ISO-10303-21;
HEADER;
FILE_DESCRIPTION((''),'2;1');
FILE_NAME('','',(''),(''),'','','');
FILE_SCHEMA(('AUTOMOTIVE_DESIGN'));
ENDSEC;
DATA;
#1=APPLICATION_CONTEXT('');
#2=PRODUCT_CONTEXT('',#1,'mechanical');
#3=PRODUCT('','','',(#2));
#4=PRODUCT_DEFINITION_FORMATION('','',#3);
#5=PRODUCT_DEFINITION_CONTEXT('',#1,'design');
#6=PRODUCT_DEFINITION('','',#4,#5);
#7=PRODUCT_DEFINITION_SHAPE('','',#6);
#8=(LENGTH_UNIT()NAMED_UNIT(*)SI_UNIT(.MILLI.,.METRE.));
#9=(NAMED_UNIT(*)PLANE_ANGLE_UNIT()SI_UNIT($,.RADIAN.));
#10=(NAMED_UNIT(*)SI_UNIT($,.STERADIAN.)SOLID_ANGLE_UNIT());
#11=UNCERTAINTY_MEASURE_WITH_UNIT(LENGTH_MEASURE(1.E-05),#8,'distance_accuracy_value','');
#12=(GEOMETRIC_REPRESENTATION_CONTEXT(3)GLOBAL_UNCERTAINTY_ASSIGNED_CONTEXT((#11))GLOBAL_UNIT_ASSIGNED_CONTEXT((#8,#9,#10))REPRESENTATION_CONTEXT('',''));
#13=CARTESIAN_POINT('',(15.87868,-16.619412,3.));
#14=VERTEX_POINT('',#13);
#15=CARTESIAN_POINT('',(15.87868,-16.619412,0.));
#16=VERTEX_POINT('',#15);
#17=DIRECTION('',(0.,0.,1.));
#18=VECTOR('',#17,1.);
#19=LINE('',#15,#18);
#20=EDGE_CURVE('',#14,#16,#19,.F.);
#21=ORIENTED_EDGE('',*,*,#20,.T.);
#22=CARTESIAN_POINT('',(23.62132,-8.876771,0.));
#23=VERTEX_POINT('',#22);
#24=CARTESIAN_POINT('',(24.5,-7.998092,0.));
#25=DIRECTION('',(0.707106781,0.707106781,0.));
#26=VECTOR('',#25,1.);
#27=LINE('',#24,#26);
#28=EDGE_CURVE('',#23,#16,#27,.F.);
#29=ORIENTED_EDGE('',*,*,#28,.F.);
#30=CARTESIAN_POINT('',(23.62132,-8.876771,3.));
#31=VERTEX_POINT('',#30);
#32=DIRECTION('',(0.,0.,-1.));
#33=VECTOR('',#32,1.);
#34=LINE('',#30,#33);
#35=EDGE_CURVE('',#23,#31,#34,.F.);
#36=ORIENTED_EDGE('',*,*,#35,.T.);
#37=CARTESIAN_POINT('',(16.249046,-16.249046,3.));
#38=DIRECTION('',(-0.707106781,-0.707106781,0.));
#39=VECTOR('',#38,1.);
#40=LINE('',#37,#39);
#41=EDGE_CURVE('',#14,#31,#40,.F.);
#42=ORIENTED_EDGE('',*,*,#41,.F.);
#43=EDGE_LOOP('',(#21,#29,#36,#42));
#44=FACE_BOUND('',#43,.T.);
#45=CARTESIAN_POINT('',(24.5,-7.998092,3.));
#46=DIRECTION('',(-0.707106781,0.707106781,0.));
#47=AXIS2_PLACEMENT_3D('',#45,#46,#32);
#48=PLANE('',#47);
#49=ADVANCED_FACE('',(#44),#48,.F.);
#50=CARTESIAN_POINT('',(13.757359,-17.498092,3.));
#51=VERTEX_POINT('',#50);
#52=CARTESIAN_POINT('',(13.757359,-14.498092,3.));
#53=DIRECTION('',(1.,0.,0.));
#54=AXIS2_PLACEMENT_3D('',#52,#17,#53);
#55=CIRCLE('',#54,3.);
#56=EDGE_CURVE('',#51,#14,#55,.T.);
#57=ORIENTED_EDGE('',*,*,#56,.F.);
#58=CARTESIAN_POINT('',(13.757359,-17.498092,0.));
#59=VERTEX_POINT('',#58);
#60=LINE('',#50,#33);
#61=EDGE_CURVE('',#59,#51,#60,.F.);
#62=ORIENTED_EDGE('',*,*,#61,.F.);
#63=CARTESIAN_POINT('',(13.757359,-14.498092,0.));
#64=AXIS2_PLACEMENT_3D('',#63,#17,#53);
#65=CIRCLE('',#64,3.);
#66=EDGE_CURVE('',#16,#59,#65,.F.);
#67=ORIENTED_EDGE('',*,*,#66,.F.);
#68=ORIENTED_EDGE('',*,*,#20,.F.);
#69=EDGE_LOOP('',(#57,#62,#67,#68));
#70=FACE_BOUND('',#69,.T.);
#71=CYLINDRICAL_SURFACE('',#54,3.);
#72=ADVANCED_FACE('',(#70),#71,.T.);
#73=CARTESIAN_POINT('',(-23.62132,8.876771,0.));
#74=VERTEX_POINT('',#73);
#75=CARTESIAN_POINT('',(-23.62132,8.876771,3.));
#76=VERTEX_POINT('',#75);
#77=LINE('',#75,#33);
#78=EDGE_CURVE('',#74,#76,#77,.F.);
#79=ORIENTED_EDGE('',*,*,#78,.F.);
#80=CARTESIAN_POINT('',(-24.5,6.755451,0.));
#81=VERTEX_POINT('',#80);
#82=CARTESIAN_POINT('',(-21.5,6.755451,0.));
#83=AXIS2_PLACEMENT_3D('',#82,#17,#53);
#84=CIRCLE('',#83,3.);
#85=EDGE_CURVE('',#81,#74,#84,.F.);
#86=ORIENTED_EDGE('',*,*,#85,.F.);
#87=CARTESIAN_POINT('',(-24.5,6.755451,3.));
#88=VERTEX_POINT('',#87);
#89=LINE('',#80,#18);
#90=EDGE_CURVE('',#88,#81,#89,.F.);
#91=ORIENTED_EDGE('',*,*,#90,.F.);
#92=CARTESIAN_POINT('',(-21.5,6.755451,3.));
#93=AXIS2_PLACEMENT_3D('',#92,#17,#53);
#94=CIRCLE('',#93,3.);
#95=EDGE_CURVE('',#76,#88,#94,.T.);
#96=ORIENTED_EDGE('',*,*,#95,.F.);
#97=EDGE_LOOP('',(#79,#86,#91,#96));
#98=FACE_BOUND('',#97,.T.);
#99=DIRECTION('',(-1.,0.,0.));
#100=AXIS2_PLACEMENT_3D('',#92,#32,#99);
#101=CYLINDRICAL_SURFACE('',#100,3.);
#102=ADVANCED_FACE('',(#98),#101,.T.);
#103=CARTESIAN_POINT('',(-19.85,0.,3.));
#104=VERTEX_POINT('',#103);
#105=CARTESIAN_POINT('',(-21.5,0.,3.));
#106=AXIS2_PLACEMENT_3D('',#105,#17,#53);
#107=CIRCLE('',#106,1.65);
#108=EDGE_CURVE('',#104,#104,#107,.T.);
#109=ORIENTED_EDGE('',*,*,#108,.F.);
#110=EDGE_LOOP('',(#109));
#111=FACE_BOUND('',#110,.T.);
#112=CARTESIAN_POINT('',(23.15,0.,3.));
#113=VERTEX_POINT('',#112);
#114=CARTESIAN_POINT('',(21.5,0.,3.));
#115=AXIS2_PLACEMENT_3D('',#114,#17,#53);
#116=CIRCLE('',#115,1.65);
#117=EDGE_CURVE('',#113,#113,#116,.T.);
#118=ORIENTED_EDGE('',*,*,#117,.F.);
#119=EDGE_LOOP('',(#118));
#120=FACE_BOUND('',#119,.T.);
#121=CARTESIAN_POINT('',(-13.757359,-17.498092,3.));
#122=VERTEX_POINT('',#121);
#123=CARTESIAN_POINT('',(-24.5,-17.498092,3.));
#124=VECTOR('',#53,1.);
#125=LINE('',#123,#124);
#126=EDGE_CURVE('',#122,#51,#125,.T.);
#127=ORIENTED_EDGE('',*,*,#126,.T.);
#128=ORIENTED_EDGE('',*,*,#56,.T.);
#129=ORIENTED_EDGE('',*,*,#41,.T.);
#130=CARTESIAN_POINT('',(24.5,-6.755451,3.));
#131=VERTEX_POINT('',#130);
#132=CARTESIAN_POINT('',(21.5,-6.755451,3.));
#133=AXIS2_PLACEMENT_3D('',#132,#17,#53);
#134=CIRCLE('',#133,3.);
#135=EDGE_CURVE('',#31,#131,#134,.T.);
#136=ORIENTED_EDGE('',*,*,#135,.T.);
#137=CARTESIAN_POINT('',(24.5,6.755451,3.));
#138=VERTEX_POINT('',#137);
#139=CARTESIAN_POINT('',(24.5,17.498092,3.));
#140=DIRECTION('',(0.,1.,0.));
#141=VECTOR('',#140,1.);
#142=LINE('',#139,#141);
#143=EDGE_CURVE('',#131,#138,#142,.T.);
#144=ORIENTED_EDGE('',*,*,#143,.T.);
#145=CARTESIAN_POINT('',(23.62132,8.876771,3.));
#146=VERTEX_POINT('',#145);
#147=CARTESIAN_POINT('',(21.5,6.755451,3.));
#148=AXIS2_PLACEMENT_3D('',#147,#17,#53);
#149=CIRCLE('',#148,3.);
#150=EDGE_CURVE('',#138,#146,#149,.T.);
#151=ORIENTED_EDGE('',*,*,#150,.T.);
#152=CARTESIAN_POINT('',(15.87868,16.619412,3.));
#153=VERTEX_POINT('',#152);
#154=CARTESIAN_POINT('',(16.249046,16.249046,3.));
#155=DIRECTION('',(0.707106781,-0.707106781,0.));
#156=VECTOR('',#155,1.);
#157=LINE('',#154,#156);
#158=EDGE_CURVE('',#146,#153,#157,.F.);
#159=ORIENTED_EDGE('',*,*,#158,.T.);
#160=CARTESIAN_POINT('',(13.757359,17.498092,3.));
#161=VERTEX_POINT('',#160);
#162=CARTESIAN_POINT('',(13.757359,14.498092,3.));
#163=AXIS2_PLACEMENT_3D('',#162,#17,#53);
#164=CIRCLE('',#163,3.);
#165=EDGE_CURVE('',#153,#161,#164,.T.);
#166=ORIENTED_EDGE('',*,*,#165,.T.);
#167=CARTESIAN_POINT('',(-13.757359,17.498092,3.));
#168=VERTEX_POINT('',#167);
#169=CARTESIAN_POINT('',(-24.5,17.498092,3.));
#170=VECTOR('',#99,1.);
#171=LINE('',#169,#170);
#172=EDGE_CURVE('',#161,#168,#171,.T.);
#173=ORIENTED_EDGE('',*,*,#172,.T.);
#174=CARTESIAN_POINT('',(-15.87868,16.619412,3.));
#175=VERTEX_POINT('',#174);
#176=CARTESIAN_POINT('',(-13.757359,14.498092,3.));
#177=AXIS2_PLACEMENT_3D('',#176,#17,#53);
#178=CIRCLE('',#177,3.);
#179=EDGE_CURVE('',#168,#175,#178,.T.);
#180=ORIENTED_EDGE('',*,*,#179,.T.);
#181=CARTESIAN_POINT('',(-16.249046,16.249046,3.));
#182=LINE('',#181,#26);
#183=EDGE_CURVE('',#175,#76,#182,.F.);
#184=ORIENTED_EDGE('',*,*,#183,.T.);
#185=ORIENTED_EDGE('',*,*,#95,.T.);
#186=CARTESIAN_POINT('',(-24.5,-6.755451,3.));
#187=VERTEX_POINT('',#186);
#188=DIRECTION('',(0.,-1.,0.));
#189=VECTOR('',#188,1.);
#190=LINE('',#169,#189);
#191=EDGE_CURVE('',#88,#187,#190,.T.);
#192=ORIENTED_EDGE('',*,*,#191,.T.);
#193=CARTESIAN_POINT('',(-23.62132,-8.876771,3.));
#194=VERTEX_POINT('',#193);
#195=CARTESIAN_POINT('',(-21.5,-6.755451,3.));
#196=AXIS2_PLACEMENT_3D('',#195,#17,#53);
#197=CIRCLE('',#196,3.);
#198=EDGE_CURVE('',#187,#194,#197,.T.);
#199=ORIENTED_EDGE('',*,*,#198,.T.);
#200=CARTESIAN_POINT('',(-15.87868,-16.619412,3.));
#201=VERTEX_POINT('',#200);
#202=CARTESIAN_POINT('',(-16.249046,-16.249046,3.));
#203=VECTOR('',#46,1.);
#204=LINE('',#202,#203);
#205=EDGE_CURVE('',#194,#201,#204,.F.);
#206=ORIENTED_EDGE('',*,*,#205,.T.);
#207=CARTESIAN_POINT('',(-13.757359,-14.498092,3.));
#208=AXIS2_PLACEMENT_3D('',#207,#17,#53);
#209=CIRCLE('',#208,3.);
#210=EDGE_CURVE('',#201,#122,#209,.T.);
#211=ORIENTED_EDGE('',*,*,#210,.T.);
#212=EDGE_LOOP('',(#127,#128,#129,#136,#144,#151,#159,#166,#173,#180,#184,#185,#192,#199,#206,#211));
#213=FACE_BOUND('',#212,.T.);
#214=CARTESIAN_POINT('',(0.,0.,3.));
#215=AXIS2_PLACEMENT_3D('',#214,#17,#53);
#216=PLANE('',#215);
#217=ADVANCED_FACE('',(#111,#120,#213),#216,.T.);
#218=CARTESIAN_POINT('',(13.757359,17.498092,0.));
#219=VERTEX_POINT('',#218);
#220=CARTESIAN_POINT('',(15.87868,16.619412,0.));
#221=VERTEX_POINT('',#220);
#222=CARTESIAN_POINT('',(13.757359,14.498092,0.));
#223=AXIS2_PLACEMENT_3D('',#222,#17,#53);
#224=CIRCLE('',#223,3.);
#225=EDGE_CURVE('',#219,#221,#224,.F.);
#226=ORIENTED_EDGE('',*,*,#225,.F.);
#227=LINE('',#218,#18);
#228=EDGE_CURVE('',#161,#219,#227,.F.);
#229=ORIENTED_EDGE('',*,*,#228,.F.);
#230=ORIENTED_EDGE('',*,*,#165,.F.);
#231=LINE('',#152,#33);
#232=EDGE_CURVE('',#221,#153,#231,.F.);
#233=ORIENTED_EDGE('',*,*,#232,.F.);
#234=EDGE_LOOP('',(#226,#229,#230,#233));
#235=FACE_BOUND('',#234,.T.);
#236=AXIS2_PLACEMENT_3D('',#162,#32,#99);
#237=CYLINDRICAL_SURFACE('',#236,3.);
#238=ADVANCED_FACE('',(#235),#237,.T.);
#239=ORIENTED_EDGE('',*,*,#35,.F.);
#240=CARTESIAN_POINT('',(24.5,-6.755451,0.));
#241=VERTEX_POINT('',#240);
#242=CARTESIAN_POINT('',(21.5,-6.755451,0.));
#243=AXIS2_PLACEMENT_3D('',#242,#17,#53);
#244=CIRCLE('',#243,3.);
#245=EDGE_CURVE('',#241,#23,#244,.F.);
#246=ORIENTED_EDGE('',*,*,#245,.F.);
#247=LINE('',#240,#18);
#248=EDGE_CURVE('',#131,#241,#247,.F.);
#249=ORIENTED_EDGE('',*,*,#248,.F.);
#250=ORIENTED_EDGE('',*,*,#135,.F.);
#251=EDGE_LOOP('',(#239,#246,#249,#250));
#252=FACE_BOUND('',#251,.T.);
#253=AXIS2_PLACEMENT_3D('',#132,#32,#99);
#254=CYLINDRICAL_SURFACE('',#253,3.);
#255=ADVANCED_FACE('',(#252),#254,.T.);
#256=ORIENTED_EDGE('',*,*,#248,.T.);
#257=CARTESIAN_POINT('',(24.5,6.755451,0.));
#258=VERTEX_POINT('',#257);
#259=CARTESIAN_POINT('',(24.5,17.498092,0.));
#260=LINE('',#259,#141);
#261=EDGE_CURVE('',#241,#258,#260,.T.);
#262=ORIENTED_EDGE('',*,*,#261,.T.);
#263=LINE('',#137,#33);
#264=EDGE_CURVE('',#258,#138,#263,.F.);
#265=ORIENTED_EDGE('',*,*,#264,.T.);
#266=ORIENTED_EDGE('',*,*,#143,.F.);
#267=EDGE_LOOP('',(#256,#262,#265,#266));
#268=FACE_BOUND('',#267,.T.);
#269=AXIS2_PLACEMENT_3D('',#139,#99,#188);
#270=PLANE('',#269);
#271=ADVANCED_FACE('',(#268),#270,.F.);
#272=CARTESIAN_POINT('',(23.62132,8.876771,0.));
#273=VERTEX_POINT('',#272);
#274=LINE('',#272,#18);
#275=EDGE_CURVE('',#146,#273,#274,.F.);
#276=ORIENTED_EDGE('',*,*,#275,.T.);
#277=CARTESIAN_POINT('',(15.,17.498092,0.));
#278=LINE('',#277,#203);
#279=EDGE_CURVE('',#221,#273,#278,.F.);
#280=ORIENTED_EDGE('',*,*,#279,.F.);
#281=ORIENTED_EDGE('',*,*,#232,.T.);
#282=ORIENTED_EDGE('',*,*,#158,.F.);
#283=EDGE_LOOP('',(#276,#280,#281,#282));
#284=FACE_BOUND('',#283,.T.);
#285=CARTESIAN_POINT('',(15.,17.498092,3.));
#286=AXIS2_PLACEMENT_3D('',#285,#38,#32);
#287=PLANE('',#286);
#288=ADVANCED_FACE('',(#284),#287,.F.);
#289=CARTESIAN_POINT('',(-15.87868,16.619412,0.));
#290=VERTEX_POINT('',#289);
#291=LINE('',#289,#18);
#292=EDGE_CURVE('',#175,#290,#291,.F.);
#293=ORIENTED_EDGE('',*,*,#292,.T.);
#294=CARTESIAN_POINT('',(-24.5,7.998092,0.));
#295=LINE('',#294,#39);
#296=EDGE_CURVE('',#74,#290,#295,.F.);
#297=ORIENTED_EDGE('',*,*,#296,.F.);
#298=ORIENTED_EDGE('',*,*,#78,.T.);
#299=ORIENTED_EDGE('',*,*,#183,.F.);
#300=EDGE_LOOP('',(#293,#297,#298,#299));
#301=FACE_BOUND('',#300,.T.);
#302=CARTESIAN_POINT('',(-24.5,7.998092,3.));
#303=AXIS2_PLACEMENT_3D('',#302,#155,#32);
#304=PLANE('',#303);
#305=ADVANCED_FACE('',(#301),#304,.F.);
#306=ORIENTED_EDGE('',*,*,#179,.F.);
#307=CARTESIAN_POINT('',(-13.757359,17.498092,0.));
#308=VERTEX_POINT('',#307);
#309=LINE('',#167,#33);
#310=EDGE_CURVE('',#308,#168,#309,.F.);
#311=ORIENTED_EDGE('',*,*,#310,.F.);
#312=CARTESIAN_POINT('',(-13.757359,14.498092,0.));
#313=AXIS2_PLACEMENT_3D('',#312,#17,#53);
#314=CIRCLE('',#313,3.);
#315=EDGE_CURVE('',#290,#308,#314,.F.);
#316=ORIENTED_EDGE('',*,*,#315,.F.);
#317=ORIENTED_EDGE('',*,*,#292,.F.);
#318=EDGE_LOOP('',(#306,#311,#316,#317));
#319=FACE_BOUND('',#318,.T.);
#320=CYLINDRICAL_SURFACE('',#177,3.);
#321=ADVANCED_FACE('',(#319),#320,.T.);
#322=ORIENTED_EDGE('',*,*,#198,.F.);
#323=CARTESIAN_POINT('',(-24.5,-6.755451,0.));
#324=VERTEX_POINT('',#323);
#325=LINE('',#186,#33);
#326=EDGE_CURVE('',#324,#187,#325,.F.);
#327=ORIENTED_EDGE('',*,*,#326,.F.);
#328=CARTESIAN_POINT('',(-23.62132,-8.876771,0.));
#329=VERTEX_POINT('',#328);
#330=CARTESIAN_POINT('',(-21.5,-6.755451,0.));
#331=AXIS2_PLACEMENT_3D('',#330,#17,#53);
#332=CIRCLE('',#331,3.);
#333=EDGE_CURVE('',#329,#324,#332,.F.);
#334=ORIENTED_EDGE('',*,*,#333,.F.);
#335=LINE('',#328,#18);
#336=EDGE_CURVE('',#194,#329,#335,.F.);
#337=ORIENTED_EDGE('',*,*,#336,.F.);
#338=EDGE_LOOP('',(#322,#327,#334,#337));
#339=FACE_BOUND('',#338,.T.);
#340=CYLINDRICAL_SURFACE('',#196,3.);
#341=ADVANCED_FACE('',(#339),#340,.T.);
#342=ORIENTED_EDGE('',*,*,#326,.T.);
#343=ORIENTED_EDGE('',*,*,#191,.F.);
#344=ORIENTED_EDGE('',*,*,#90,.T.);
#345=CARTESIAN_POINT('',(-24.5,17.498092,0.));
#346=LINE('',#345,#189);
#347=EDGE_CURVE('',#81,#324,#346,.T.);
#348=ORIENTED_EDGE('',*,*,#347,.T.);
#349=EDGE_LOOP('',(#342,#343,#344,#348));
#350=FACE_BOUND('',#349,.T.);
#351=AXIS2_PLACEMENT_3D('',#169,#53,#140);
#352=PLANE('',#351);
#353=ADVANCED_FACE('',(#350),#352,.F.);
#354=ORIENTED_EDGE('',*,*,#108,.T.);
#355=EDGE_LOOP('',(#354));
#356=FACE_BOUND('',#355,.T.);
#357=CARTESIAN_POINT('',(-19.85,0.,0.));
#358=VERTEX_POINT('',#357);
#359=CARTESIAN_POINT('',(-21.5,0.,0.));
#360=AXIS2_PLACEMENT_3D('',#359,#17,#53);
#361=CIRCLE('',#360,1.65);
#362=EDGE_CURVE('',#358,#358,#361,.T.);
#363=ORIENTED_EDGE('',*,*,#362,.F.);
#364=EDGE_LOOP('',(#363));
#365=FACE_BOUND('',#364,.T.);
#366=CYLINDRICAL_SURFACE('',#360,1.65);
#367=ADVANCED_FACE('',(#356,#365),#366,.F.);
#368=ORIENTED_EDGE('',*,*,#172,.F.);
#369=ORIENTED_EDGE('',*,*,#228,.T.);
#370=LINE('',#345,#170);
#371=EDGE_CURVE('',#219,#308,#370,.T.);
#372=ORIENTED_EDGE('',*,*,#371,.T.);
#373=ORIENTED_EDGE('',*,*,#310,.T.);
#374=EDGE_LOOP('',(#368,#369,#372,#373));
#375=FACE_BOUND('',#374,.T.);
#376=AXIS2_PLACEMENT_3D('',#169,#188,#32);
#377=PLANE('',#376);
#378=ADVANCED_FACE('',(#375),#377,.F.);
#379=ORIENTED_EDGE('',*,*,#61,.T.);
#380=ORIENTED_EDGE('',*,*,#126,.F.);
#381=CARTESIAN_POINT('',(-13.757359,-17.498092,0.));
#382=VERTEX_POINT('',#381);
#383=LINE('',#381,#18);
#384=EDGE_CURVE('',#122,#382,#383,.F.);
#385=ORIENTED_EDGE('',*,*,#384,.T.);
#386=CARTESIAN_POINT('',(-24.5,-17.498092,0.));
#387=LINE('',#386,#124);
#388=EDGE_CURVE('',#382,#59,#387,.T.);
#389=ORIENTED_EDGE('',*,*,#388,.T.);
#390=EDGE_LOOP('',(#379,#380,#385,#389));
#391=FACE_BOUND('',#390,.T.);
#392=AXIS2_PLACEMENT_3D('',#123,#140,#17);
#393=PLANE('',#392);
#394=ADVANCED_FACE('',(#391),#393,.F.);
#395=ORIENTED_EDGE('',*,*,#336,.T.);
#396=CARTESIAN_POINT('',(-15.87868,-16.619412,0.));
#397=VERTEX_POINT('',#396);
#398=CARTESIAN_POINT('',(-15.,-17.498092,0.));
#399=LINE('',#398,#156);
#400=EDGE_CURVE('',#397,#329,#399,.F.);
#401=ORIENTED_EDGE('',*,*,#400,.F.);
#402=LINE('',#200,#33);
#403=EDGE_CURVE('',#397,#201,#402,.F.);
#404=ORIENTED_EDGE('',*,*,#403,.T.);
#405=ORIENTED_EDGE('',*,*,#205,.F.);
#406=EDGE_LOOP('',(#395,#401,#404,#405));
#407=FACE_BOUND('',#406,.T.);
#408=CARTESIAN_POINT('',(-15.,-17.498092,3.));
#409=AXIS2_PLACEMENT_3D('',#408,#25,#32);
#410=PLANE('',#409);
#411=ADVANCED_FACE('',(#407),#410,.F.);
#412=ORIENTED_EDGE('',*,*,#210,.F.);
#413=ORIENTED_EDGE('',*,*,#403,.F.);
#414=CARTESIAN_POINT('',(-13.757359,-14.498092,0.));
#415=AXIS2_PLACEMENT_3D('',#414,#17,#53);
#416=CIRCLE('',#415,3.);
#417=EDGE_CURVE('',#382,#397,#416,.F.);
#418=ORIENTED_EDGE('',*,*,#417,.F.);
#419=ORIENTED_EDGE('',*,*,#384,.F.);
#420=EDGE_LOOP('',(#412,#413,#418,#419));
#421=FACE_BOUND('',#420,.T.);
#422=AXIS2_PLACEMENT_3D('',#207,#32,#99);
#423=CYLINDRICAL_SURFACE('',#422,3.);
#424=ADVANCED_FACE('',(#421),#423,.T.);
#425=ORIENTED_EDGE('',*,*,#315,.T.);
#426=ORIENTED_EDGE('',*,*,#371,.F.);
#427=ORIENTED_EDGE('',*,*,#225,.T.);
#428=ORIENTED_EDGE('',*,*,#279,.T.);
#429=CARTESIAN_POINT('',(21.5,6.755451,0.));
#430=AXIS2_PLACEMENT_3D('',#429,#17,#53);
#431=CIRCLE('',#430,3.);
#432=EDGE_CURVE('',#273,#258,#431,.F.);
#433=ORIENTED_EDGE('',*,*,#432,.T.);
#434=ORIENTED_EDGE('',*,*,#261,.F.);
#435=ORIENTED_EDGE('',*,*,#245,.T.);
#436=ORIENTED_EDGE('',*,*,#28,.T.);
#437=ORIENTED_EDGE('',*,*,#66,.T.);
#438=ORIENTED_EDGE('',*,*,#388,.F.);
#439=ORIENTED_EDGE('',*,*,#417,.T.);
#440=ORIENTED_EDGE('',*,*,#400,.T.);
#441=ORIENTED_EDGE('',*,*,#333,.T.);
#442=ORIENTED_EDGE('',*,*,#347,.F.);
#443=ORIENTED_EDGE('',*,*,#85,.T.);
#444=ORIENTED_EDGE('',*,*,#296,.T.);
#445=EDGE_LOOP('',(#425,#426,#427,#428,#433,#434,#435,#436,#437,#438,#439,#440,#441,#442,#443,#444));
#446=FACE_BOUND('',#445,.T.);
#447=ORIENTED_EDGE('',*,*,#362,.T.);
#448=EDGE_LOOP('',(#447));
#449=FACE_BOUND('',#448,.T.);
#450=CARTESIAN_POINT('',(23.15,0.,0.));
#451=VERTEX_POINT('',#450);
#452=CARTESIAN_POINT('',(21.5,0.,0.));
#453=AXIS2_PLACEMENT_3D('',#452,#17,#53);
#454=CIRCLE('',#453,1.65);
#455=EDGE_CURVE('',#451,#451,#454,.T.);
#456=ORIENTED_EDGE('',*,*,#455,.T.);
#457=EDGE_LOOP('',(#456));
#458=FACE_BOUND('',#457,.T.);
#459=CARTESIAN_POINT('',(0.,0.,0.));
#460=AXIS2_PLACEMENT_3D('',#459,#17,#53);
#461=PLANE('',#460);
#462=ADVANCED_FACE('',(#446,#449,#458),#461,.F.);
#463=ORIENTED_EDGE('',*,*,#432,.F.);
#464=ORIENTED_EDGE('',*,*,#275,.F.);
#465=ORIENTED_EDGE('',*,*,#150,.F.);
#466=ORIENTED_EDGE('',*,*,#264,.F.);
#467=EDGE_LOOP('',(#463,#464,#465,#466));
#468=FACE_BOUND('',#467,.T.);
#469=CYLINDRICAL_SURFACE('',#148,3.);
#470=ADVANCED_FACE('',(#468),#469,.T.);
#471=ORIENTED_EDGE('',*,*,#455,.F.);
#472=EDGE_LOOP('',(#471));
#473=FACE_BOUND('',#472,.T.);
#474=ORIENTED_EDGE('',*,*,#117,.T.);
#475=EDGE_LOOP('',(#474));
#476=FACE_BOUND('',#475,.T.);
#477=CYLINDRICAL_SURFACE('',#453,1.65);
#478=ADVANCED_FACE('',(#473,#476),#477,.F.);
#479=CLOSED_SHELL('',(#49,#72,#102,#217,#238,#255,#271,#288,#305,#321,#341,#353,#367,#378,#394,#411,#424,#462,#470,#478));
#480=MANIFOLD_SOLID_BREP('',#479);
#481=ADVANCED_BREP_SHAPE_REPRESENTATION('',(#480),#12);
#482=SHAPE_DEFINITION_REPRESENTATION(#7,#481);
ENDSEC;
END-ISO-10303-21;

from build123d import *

# Parameters (mm, degrees)
SKETCH_1_W          = 49
SKETCH_1_H          = 34.996183206
EXTRUDE_1_DEPTH     = 3
CHAMFER_1_SIZE      = 9.5
FILLET_1_R          = 3
SKETCH_2_R          = 1.65
CUT_EXTRUDE_1_DEPTH = 4


with BuildPart() as part:
    # 草图1 → 凸台-拉伸1 (new body)
    with BuildSketch(Plane.XY):
        Rectangle(SKETCH_1_W, SKETCH_1_H)
    extrude(amount=EXTRUDE_1_DEPTH)

    # 倒角1
    chamfer_1_edges = [part.edges().sort_by_distance(p)[0] for p in [
        (24.5, -17.498091603, 1.5),
        (-24.5, -17.498091603, 1.5),
        (-24.5, 17.498091603, 1.5),
        (24.5, 17.498091603, 1.5),
    ]]
    chamfer(chamfer_1_edges, length=CHAMFER_1_SIZE)

    # 圆角1
    fillet_1_edges = [part.edges().sort_by_distance(p)[0] for p in [
        (-24.5, -7.998091603, 1.5),
        (-24.5, 7.998091603, 1.5),
        (15, 17.498091603, 1.5),
        (-15, 17.498091603, 1.5),
        (15, -17.498091603, 1.5),
        (-15, -17.498091603, 1.5),
        (24.5, 7.998091603, 1.5),
        (24.5, -7.998091603, 1.5),
    ]]
    fillet(fillet_1_edges, radius=FILLET_1_R)

    # 草图2 → 切除-拉伸1 (cut, through all)
    with BuildSketch(Plane.XY.offset(3)):
        with Locations((-21.5, 0)):
            Circle(SKETCH_2_R)
        with Locations((21.5, 0)):
            Circle(SKETCH_2_R)
    extrude(amount=-CUT_EXTRUDE_1_DEPTH, mode=Mode.SUBTRACT)


solid = part.part
